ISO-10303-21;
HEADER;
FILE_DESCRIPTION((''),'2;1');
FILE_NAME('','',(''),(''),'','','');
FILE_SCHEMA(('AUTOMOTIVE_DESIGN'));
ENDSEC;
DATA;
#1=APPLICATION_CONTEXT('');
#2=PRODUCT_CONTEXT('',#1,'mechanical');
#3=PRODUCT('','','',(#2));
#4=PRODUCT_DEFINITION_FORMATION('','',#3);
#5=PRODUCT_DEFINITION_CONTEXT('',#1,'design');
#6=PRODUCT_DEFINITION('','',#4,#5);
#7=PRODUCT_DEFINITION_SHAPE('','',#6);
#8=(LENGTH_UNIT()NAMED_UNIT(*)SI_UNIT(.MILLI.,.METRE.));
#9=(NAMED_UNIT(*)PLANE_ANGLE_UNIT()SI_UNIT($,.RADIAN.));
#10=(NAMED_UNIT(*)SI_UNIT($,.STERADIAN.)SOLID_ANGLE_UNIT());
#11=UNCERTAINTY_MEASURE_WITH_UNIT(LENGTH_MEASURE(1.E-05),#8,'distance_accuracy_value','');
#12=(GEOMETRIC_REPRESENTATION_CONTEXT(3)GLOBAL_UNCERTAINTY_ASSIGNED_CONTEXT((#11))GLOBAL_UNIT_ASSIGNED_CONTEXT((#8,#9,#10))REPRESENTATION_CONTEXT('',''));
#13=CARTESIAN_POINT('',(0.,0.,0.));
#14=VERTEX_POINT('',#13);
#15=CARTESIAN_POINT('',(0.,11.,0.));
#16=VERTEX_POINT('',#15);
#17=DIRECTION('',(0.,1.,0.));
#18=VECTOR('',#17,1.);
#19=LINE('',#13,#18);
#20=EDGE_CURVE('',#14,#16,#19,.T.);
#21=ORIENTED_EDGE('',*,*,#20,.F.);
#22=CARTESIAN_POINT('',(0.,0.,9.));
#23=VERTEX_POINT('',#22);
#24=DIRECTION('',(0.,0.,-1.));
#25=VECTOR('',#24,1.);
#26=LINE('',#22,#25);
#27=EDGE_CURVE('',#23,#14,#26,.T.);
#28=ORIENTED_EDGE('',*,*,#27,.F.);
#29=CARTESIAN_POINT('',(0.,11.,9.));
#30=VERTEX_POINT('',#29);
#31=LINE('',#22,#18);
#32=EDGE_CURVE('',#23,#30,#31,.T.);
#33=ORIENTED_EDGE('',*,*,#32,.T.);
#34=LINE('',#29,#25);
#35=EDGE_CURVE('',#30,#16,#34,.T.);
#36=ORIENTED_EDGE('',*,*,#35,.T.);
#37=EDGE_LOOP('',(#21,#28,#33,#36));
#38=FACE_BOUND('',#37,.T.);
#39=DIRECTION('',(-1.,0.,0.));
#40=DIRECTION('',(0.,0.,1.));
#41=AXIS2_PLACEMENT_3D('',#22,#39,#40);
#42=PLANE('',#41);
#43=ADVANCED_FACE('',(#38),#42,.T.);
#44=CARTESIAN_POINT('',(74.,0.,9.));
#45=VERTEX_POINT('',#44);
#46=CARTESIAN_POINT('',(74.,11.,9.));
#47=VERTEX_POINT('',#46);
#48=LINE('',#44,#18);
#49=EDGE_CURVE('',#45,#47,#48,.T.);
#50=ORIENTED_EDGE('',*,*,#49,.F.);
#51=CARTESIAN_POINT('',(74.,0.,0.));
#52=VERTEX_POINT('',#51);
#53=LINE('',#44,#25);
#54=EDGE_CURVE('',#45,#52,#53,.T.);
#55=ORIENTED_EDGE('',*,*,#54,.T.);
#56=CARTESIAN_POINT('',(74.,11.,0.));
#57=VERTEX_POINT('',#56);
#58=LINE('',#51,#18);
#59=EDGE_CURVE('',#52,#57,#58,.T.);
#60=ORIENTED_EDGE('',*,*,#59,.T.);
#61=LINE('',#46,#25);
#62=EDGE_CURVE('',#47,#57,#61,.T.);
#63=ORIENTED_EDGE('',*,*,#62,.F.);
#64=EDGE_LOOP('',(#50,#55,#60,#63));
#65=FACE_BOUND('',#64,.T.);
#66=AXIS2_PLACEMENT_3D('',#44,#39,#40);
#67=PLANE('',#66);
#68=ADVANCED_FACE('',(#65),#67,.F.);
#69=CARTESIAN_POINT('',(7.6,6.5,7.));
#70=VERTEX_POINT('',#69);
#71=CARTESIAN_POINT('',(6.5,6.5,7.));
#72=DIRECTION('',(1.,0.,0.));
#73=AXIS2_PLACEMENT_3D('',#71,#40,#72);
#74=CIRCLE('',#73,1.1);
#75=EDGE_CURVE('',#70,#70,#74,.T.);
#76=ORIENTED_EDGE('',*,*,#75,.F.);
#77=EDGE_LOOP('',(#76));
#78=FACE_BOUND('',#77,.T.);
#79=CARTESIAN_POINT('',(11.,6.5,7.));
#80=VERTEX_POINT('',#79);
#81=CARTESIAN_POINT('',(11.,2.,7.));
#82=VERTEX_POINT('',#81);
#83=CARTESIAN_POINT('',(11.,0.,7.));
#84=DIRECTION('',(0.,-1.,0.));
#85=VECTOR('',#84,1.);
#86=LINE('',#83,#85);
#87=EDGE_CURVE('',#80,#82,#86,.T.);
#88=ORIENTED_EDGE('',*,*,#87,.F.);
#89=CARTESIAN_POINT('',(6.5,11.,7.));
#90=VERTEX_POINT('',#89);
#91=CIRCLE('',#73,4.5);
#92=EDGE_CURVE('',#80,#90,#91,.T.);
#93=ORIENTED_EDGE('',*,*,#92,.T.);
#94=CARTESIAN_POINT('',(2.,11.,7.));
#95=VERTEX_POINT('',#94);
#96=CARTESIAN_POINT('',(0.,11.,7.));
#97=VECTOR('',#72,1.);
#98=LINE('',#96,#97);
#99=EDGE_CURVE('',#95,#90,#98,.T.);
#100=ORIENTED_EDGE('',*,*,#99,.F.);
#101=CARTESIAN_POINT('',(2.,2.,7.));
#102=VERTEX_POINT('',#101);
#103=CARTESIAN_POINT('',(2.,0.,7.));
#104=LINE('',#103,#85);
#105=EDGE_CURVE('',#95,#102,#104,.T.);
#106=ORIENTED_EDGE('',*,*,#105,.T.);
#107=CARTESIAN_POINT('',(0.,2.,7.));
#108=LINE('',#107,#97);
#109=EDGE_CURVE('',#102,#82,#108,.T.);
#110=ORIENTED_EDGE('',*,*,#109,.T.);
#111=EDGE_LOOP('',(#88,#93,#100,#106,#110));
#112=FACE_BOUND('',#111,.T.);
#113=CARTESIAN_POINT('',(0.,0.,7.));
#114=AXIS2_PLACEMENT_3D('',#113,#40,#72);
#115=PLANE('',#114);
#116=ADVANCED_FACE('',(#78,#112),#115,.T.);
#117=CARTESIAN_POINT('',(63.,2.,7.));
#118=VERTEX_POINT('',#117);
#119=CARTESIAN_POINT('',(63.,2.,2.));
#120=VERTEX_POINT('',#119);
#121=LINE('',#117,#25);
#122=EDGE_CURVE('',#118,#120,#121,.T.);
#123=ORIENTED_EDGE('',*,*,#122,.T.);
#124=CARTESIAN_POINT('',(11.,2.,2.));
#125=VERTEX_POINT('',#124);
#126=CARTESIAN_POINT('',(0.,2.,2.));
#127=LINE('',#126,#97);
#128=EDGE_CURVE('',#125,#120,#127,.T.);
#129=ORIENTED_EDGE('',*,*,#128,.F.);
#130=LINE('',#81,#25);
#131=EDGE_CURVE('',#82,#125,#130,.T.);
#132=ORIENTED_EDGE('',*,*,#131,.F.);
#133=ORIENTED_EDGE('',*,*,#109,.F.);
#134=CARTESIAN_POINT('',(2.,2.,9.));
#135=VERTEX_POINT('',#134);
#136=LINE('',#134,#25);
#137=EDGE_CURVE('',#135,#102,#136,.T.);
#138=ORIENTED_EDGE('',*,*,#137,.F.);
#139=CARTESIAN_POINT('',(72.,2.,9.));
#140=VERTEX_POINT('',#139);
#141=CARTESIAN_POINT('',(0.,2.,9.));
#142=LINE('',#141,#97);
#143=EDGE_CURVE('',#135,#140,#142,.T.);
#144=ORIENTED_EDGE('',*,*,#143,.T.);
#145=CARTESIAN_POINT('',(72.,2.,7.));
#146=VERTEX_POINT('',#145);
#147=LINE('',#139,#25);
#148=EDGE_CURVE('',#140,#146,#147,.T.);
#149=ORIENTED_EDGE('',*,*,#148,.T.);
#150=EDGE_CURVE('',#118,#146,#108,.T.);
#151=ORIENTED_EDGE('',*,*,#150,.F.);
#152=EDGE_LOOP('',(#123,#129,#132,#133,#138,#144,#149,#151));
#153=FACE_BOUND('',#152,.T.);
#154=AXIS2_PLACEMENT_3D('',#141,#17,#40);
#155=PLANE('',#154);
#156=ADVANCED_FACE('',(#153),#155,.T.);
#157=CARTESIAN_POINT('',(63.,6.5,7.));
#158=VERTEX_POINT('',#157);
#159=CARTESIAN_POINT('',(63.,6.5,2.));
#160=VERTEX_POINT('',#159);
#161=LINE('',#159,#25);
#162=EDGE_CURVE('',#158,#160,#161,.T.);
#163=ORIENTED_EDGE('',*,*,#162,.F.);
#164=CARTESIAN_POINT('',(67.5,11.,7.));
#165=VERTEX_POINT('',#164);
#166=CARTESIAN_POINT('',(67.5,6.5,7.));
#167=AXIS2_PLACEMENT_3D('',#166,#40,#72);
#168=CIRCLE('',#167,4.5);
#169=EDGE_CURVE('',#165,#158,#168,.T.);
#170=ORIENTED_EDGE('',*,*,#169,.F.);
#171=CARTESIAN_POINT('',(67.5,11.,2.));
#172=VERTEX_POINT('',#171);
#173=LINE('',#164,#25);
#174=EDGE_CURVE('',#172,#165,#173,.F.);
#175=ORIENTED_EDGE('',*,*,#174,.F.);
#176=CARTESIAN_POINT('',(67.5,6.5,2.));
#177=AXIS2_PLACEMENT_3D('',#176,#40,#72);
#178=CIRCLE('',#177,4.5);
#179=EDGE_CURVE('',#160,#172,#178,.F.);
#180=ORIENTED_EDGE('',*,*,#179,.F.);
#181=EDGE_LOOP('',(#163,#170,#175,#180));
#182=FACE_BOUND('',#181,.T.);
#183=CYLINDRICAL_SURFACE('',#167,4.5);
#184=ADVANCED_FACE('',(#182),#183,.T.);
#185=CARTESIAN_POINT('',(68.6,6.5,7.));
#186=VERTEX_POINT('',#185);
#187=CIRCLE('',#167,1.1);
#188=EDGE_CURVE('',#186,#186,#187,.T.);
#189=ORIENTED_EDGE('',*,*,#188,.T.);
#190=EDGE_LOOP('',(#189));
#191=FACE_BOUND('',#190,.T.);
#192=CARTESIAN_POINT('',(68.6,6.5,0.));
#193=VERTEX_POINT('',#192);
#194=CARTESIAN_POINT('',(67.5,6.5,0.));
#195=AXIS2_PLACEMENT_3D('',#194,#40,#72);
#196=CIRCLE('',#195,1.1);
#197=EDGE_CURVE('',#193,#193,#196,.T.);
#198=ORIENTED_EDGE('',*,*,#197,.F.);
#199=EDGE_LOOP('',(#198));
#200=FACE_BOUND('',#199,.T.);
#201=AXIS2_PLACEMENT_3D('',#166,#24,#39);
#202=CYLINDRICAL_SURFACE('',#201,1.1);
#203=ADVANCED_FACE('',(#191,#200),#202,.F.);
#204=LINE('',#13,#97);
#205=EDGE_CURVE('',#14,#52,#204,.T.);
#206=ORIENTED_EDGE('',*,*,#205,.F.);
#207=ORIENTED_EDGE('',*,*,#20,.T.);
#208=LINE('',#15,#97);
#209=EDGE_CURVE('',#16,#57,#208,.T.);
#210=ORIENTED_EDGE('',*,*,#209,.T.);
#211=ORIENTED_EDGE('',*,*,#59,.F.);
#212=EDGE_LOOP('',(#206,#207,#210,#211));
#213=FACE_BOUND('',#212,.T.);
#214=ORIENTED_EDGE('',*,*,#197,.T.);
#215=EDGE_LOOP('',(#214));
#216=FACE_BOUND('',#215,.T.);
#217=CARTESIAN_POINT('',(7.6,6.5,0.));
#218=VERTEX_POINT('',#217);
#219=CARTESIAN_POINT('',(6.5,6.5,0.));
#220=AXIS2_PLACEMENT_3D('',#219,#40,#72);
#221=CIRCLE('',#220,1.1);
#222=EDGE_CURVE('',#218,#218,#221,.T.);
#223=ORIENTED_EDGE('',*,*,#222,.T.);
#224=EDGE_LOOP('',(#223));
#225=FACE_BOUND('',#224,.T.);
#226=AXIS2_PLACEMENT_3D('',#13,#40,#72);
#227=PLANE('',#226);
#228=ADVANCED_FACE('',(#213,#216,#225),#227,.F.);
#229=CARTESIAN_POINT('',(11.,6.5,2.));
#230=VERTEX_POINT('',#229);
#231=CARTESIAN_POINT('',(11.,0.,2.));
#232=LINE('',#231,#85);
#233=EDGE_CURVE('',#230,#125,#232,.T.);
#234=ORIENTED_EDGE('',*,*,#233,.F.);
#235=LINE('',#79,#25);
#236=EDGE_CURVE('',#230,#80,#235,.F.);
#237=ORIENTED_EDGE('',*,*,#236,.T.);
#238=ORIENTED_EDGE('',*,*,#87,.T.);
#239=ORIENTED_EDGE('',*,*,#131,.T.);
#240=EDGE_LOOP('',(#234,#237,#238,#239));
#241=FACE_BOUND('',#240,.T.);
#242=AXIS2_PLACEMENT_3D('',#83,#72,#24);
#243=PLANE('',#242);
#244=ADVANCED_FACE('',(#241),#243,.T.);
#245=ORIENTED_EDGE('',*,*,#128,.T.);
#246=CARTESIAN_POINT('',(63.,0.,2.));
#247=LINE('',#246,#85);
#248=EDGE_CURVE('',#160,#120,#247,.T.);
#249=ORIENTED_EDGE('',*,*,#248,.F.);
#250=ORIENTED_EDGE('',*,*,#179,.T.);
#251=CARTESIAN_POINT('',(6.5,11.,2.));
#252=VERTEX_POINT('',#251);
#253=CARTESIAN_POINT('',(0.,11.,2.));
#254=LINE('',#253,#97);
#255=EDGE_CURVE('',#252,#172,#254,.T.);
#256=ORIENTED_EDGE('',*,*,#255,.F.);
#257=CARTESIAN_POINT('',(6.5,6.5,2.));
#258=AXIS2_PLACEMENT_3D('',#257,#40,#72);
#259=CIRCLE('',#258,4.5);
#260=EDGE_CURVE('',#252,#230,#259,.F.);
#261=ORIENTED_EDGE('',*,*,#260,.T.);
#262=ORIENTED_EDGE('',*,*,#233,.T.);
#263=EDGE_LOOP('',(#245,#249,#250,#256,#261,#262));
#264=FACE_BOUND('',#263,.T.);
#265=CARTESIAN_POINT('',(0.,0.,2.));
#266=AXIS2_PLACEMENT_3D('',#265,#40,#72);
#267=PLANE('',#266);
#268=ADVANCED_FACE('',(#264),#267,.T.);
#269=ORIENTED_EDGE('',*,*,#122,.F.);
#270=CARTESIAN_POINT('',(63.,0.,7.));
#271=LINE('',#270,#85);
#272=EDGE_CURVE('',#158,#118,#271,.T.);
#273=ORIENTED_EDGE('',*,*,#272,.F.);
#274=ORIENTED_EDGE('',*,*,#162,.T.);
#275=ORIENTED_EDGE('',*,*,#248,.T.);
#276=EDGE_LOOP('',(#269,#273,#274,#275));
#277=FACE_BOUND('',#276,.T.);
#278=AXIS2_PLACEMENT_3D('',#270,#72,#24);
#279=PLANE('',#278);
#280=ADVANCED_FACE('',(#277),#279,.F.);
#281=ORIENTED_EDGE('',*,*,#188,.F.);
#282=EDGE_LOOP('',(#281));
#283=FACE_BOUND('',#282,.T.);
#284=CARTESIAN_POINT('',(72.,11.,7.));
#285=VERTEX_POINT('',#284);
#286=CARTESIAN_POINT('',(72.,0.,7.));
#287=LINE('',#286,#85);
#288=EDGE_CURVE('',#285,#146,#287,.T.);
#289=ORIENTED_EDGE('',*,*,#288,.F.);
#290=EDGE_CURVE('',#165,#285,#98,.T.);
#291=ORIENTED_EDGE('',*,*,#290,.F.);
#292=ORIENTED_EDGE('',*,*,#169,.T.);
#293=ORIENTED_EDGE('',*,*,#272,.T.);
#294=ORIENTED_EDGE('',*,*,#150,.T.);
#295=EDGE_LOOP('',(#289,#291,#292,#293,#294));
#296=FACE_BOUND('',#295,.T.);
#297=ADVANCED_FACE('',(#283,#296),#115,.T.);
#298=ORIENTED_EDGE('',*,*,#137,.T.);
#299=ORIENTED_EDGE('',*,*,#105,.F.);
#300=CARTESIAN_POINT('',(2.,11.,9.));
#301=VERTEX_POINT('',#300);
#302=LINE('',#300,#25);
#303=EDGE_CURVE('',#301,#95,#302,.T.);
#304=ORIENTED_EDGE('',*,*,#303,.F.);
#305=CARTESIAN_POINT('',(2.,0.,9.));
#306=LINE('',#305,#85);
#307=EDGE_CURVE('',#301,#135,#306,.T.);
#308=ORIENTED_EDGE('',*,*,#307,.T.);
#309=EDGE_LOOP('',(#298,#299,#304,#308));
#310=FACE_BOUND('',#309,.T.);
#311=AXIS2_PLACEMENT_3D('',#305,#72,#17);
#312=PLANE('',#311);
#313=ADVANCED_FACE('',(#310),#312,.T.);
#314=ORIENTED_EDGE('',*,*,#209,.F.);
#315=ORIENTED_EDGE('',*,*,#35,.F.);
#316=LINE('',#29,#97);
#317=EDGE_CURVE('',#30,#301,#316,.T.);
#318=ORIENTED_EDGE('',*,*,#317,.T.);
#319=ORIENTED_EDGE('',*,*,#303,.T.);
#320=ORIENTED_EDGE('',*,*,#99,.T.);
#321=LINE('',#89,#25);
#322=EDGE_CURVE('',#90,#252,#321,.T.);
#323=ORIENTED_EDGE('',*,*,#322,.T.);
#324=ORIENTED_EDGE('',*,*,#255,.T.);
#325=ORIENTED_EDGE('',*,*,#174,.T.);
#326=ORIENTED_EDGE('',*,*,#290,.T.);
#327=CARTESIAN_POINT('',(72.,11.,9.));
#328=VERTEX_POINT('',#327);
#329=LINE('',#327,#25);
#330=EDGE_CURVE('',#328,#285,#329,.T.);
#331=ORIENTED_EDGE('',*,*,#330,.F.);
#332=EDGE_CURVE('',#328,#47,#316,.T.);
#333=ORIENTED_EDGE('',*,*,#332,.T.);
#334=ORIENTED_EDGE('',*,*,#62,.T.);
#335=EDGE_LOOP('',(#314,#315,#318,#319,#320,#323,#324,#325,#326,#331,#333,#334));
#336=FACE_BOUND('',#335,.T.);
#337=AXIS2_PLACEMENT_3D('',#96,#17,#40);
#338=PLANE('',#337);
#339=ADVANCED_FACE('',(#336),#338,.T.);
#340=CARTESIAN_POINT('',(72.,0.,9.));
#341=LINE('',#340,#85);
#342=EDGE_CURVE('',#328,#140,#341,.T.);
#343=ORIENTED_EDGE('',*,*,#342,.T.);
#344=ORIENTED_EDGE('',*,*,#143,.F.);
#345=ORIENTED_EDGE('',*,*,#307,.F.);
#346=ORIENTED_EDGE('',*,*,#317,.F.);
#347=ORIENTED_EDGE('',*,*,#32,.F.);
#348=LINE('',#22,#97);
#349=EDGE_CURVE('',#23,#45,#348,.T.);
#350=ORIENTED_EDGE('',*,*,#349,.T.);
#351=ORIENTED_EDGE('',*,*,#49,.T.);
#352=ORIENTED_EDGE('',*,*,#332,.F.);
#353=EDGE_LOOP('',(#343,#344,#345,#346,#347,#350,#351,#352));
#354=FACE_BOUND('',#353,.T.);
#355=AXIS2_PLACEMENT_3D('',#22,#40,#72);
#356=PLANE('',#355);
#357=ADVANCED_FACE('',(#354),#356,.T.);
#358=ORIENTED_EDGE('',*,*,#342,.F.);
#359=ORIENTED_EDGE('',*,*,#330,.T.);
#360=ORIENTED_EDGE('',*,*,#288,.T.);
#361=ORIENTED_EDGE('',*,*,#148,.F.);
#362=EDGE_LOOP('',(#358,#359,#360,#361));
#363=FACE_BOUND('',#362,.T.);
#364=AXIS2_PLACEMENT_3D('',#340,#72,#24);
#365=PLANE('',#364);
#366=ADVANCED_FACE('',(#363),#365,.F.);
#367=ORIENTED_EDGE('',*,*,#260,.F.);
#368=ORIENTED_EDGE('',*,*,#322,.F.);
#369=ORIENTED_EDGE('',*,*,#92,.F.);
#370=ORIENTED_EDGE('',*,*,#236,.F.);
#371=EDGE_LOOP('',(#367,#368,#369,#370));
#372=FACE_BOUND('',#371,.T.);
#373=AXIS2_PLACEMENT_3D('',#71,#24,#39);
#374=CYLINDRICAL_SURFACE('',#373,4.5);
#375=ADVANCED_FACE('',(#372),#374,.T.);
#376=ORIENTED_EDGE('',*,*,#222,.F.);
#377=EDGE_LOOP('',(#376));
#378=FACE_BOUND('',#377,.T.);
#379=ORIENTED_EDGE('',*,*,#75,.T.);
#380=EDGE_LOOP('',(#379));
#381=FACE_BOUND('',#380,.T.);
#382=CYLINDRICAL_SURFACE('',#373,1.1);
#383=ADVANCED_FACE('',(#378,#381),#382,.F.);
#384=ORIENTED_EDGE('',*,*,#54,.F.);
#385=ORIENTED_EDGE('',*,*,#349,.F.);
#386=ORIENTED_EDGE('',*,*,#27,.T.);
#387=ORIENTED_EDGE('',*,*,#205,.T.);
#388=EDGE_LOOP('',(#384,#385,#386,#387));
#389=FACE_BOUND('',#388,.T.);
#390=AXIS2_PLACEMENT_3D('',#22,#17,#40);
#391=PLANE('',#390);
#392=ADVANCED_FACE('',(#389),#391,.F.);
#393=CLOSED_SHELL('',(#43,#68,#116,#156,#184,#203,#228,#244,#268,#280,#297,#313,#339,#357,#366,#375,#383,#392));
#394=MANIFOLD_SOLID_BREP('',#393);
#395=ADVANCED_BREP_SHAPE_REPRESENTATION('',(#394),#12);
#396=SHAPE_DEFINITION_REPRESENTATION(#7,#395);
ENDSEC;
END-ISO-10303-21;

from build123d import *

# Parameters (mm, degrees)
SKETCH_1_W        = 9
SKETCH_1_H        = 9
SKETCH_1_R        = 1.1
EXTRUDE_1_DEPTH   = 7
EXTRUDE_1_2_DEPTH = 7
SKETCH_1_3_W      = 52
SKETCH_1_3_H      = 9
EXTRUDE_2_DEPTH   = 2
EXTRUDE_3_DEPTH   = 9
FILLET_1_R        = 4.5


with BuildPart() as part:
    # Эскиз1 → Бобышка-Вытянуть1 (new body)
    with BuildSketch(Plane.XY):
        with Locations((6.5, 6.5)):
            Rectangle(SKETCH_1_W, SKETCH_1_H)
        with Locations((6.5, 6.5)):
            Circle(SKETCH_1_R, mode=Mode.SUBTRACT)
    extrude(amount=EXTRUDE_1_DEPTH)



with BuildPart() as body_2:
    # Эскиз1 → Extrude 1 2 (new body)
    with BuildSketch(Plane.XY):
        with Locations((67.5, 6.5)):
            Rectangle(SKETCH_1_W, SKETCH_1_H)
        with Locations((67.5, 6.5)):
            Circle(SKETCH_1_R, mode=Mode.SUBTRACT)
    extrude(amount=EXTRUDE_1_2_DEPTH)


with BuildPart() as part_1:
    add(part.part)

    add(body_2.part)  # Бобышка-Вытянуть2 merges body 2
    # Эскиз1<3> → Бобышка-Вытянуть2 (add)
    with BuildSketch(Plane.XY):
        with Locations((37, 6.5)):
            Rectangle(SKETCH_1_3_W, SKETCH_1_3_H)
    extrude(amount=EXTRUDE_2_DEPTH)

    # Эскиз1<4> → Бобышка-Вытянуть3 (add)
    with BuildSketch(Plane.XY):
        Polygon((0, 11), (0, 0), (74, 0), (74, 11), (72, 11), (72, 2), (63, 2), (11, 2), (2, 2), (2, 11), align=None)
    extrude(amount=EXTRUDE_3_DEPTH)

    # Скругление1
    fillet_1_edges = [part_1.edges().sort_by_distance(p)[0] for p in [
        (11, 11, 4.5),
        (63, 11, 4.5),
    ]]
    fillet(fillet_1_edges, radius=FILLET_1_R)


solid = part_1.part
